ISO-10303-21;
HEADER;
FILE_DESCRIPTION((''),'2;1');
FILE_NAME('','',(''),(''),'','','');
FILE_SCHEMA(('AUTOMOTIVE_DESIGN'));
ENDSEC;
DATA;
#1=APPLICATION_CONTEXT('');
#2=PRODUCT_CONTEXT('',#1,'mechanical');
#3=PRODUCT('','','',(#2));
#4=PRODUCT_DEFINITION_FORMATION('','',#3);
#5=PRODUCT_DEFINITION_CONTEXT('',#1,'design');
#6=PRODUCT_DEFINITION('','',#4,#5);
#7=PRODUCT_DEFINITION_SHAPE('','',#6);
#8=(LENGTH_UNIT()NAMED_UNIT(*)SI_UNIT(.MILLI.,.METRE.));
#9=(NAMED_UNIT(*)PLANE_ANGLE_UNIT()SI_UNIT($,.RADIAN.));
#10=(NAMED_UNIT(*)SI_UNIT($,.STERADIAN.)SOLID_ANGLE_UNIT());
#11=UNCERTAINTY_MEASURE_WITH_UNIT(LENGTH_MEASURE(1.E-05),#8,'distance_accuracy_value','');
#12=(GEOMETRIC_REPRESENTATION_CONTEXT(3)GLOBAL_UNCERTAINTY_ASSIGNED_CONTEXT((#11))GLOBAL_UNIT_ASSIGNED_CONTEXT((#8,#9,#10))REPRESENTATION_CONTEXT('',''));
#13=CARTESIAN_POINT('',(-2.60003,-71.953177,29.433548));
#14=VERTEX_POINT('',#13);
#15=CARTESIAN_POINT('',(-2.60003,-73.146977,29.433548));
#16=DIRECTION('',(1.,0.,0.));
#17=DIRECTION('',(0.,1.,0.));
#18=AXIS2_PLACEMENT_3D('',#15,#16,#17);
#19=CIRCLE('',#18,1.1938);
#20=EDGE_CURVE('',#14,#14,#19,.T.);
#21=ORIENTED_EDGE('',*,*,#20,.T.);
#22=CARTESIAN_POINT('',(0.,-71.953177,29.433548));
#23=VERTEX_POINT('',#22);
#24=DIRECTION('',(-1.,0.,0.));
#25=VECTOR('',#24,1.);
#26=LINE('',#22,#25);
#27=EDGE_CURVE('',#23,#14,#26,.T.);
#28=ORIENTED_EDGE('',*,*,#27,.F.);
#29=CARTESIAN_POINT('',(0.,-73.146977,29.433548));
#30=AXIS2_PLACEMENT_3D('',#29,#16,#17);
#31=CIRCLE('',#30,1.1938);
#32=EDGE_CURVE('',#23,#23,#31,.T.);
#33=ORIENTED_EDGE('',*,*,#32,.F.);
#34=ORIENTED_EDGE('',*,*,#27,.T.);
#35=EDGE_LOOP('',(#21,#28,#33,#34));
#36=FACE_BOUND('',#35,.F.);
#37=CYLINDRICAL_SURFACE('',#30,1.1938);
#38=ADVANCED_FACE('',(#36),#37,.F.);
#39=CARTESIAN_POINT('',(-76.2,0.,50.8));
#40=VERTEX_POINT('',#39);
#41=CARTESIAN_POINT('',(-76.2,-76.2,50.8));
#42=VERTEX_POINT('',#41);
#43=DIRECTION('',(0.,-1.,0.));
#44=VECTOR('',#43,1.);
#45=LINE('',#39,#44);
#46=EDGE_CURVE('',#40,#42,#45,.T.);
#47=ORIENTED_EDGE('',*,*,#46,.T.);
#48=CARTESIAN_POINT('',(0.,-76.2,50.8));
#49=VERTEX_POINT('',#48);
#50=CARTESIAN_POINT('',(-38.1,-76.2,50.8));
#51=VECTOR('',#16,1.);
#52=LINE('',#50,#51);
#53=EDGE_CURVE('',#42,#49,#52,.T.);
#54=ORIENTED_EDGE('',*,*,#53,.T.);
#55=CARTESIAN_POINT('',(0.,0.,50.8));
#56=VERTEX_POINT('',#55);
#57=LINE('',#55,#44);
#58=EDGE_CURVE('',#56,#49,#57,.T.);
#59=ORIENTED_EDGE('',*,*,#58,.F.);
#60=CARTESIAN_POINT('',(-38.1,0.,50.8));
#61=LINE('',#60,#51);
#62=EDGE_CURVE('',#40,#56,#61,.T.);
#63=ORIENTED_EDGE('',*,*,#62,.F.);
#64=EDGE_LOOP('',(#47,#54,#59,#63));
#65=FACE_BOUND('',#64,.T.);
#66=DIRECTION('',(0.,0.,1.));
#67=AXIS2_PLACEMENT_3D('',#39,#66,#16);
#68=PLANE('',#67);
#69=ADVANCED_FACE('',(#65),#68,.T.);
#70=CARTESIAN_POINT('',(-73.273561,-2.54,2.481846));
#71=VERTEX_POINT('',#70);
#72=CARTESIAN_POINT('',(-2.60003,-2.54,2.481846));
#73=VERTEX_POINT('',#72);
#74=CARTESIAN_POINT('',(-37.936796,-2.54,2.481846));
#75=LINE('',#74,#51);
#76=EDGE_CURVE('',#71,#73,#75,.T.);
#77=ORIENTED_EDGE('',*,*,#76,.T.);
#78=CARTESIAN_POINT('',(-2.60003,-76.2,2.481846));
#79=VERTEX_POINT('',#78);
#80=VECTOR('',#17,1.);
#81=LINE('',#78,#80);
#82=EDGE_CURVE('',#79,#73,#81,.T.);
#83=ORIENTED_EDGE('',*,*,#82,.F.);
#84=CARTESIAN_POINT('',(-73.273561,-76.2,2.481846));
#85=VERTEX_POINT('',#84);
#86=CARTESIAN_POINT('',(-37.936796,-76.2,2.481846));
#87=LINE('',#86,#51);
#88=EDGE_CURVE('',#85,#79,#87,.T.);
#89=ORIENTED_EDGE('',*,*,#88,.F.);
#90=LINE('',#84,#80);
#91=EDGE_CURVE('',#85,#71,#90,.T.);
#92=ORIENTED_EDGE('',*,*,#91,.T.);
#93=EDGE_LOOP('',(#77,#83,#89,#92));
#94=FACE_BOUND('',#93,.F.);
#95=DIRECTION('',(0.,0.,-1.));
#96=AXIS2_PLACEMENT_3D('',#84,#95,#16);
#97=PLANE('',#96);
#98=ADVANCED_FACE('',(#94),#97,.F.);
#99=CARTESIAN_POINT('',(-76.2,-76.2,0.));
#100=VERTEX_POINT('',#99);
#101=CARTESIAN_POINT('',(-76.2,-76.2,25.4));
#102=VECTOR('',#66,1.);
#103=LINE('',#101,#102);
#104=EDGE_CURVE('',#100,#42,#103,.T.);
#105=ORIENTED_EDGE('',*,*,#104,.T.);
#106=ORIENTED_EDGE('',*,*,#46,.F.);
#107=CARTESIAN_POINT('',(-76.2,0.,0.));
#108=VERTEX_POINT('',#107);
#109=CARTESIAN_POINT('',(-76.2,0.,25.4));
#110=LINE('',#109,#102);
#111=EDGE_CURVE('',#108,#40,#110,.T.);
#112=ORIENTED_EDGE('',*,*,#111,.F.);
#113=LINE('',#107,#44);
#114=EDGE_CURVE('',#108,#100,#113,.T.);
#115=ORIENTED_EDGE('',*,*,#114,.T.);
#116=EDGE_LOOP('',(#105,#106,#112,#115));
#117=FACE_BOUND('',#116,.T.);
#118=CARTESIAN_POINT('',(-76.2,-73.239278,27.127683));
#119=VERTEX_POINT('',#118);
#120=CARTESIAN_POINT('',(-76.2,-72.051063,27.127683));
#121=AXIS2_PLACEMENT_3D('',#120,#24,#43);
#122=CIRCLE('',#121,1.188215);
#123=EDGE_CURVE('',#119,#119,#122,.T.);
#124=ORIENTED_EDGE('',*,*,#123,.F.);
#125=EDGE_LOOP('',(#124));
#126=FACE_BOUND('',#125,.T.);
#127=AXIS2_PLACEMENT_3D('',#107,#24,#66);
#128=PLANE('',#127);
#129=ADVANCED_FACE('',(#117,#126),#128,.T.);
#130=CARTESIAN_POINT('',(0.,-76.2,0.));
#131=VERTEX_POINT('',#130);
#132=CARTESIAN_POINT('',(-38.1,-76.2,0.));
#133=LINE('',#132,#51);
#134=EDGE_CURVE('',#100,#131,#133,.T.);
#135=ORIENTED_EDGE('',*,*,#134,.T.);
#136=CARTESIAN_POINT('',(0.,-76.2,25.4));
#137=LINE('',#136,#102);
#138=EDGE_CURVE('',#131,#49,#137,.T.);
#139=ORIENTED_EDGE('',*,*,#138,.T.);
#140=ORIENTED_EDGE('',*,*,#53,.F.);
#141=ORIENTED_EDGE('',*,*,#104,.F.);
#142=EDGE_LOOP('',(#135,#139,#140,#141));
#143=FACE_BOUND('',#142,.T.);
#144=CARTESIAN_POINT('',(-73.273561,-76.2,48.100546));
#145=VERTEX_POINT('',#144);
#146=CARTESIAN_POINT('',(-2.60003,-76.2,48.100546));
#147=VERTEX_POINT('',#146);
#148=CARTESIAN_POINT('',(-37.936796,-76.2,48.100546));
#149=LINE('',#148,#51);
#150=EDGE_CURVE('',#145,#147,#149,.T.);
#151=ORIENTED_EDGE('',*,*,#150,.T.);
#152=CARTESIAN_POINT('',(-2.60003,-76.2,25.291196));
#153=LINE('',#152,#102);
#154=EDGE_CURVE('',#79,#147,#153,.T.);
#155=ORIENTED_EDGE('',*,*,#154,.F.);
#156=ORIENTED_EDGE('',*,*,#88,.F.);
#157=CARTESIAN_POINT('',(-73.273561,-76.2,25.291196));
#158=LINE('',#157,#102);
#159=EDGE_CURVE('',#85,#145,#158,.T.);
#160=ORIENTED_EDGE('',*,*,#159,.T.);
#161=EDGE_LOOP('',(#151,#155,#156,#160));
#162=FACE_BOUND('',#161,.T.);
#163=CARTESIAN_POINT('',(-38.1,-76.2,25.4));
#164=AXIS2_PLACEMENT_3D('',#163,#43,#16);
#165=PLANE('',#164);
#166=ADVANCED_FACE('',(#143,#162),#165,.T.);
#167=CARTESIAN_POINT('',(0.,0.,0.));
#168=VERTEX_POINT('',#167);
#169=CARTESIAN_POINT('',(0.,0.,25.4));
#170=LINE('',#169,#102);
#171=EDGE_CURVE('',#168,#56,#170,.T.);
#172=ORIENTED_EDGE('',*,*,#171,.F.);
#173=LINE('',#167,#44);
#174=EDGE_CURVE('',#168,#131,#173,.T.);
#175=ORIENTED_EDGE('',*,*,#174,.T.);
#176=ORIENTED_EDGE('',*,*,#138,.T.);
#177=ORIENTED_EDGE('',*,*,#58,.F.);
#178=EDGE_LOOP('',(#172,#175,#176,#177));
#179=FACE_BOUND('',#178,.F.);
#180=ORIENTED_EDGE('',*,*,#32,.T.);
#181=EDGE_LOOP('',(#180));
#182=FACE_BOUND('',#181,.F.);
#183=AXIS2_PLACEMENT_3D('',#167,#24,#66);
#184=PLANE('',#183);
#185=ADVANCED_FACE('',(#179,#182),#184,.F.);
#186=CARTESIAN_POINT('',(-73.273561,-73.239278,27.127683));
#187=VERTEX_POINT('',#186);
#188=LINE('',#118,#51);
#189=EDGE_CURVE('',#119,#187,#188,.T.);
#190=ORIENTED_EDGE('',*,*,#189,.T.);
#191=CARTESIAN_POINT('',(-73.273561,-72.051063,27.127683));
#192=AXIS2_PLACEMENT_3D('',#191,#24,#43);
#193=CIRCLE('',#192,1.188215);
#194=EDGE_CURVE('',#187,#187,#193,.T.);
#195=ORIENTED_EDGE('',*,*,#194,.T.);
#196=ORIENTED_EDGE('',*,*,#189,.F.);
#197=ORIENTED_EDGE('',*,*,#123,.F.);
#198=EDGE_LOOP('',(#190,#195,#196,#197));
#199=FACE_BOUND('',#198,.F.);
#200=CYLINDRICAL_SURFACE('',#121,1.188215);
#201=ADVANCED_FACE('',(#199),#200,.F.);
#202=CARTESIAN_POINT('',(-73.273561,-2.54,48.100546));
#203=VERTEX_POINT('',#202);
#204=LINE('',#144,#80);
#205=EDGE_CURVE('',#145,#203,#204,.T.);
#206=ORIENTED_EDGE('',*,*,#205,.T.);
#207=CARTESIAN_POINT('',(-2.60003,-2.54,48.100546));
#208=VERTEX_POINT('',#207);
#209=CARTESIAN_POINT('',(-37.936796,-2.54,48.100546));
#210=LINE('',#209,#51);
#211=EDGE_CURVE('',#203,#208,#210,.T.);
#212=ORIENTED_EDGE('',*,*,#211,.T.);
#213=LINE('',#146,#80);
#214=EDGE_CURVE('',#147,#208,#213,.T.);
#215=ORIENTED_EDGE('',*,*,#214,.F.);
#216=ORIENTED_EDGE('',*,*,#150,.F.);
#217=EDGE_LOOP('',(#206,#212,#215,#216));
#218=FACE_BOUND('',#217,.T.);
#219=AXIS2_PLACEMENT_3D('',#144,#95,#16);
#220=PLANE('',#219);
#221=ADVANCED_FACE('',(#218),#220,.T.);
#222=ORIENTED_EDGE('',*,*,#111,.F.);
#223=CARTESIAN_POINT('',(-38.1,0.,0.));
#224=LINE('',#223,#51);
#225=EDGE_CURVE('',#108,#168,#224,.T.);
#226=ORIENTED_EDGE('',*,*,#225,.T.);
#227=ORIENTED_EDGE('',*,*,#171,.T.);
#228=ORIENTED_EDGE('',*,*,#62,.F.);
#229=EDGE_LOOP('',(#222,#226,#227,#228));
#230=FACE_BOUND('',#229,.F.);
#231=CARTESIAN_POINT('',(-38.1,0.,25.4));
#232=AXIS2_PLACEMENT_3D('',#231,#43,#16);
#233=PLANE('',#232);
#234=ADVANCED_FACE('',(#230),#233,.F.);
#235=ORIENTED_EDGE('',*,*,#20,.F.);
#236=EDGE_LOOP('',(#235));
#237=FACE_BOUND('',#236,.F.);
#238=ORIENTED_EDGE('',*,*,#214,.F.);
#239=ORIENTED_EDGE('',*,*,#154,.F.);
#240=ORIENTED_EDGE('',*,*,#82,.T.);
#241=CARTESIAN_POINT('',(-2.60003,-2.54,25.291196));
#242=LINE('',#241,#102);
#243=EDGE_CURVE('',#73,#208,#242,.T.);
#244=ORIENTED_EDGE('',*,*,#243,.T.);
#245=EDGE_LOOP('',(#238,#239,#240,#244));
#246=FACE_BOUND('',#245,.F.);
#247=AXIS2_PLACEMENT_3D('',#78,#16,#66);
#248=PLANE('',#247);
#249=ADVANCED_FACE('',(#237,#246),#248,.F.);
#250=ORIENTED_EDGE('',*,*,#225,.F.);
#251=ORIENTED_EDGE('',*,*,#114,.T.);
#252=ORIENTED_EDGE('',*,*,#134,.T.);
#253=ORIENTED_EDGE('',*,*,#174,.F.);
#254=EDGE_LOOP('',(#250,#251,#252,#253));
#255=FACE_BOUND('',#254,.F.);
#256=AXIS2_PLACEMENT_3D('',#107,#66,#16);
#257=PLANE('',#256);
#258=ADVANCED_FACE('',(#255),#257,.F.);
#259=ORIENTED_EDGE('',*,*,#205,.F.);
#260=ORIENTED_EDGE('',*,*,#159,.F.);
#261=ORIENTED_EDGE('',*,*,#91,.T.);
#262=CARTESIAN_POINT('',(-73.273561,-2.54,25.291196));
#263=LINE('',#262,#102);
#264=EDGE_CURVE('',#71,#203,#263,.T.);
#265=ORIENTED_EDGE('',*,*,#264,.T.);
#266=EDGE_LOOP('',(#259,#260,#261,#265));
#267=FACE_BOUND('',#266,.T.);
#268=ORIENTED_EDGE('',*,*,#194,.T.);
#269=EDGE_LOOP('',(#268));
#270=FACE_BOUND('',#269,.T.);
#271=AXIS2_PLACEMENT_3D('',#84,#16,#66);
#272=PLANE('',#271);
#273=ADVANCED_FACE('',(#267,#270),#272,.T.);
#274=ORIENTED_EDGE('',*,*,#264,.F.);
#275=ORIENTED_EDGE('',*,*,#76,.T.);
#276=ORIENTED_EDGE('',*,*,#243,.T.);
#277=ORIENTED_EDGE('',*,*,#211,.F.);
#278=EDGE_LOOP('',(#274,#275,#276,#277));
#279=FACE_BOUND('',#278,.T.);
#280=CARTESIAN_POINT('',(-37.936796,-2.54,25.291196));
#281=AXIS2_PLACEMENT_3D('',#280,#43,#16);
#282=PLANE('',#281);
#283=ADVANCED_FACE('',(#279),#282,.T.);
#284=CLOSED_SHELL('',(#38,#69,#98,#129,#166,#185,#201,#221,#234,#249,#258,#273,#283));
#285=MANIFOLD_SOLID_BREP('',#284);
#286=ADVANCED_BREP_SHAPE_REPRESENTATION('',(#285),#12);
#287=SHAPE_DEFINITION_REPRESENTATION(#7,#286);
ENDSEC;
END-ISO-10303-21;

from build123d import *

# Parameters (mm, degrees)
F0_W     = 76.2
F0_H     = 50.8
F1_DEPTH = 76.2
F2_W     = 70.673531
F2_H     = 45.6187
F3_DEPTH = 73.66
F4_R     = 1.188215
F5_DEPTH = 5.08
F6_R     = 1.1938
F7_DEPTH = 5.08


with BuildPart() as f1:
    # F0 (on Front) → F1 (new body)
    with BuildSketch(Plane.XZ):
        with Locations((-38.1, 25.4)):
            Rectangle(F0_W, F0_H)
    extrude(amount=F1_DEPTH)

    # F2 (on face) → F3 (cut)
    with BuildSketch(Plane.XZ.offset(76.2)):
        with Locations((-37.936796, 25.291196)):
            Rectangle(F2_W, F2_H)
    extrude(amount=-F3_DEPTH, mode=Mode.SUBTRACT)

    # F4 (on face) → F5 (cut)
    with BuildSketch(Plane(origin=(-76.2, 0, 0), x_dir=(0, -1, 0), z_dir=(-1, 0, 0))):
        with Locations((72.051063, 27.127683)):
            Circle(F4_R)
    extrude(amount=-F5_DEPTH, mode=Mode.SUBTRACT)

    # F6 (on face) → F7 (cut)
    with BuildSketch(Plane.YZ):
        with Locations((-73.146977, 29.433548)):
            Circle(F6_R)
    extrude(amount=-F7_DEPTH, mode=Mode.SUBTRACT)


solid = f1.part
